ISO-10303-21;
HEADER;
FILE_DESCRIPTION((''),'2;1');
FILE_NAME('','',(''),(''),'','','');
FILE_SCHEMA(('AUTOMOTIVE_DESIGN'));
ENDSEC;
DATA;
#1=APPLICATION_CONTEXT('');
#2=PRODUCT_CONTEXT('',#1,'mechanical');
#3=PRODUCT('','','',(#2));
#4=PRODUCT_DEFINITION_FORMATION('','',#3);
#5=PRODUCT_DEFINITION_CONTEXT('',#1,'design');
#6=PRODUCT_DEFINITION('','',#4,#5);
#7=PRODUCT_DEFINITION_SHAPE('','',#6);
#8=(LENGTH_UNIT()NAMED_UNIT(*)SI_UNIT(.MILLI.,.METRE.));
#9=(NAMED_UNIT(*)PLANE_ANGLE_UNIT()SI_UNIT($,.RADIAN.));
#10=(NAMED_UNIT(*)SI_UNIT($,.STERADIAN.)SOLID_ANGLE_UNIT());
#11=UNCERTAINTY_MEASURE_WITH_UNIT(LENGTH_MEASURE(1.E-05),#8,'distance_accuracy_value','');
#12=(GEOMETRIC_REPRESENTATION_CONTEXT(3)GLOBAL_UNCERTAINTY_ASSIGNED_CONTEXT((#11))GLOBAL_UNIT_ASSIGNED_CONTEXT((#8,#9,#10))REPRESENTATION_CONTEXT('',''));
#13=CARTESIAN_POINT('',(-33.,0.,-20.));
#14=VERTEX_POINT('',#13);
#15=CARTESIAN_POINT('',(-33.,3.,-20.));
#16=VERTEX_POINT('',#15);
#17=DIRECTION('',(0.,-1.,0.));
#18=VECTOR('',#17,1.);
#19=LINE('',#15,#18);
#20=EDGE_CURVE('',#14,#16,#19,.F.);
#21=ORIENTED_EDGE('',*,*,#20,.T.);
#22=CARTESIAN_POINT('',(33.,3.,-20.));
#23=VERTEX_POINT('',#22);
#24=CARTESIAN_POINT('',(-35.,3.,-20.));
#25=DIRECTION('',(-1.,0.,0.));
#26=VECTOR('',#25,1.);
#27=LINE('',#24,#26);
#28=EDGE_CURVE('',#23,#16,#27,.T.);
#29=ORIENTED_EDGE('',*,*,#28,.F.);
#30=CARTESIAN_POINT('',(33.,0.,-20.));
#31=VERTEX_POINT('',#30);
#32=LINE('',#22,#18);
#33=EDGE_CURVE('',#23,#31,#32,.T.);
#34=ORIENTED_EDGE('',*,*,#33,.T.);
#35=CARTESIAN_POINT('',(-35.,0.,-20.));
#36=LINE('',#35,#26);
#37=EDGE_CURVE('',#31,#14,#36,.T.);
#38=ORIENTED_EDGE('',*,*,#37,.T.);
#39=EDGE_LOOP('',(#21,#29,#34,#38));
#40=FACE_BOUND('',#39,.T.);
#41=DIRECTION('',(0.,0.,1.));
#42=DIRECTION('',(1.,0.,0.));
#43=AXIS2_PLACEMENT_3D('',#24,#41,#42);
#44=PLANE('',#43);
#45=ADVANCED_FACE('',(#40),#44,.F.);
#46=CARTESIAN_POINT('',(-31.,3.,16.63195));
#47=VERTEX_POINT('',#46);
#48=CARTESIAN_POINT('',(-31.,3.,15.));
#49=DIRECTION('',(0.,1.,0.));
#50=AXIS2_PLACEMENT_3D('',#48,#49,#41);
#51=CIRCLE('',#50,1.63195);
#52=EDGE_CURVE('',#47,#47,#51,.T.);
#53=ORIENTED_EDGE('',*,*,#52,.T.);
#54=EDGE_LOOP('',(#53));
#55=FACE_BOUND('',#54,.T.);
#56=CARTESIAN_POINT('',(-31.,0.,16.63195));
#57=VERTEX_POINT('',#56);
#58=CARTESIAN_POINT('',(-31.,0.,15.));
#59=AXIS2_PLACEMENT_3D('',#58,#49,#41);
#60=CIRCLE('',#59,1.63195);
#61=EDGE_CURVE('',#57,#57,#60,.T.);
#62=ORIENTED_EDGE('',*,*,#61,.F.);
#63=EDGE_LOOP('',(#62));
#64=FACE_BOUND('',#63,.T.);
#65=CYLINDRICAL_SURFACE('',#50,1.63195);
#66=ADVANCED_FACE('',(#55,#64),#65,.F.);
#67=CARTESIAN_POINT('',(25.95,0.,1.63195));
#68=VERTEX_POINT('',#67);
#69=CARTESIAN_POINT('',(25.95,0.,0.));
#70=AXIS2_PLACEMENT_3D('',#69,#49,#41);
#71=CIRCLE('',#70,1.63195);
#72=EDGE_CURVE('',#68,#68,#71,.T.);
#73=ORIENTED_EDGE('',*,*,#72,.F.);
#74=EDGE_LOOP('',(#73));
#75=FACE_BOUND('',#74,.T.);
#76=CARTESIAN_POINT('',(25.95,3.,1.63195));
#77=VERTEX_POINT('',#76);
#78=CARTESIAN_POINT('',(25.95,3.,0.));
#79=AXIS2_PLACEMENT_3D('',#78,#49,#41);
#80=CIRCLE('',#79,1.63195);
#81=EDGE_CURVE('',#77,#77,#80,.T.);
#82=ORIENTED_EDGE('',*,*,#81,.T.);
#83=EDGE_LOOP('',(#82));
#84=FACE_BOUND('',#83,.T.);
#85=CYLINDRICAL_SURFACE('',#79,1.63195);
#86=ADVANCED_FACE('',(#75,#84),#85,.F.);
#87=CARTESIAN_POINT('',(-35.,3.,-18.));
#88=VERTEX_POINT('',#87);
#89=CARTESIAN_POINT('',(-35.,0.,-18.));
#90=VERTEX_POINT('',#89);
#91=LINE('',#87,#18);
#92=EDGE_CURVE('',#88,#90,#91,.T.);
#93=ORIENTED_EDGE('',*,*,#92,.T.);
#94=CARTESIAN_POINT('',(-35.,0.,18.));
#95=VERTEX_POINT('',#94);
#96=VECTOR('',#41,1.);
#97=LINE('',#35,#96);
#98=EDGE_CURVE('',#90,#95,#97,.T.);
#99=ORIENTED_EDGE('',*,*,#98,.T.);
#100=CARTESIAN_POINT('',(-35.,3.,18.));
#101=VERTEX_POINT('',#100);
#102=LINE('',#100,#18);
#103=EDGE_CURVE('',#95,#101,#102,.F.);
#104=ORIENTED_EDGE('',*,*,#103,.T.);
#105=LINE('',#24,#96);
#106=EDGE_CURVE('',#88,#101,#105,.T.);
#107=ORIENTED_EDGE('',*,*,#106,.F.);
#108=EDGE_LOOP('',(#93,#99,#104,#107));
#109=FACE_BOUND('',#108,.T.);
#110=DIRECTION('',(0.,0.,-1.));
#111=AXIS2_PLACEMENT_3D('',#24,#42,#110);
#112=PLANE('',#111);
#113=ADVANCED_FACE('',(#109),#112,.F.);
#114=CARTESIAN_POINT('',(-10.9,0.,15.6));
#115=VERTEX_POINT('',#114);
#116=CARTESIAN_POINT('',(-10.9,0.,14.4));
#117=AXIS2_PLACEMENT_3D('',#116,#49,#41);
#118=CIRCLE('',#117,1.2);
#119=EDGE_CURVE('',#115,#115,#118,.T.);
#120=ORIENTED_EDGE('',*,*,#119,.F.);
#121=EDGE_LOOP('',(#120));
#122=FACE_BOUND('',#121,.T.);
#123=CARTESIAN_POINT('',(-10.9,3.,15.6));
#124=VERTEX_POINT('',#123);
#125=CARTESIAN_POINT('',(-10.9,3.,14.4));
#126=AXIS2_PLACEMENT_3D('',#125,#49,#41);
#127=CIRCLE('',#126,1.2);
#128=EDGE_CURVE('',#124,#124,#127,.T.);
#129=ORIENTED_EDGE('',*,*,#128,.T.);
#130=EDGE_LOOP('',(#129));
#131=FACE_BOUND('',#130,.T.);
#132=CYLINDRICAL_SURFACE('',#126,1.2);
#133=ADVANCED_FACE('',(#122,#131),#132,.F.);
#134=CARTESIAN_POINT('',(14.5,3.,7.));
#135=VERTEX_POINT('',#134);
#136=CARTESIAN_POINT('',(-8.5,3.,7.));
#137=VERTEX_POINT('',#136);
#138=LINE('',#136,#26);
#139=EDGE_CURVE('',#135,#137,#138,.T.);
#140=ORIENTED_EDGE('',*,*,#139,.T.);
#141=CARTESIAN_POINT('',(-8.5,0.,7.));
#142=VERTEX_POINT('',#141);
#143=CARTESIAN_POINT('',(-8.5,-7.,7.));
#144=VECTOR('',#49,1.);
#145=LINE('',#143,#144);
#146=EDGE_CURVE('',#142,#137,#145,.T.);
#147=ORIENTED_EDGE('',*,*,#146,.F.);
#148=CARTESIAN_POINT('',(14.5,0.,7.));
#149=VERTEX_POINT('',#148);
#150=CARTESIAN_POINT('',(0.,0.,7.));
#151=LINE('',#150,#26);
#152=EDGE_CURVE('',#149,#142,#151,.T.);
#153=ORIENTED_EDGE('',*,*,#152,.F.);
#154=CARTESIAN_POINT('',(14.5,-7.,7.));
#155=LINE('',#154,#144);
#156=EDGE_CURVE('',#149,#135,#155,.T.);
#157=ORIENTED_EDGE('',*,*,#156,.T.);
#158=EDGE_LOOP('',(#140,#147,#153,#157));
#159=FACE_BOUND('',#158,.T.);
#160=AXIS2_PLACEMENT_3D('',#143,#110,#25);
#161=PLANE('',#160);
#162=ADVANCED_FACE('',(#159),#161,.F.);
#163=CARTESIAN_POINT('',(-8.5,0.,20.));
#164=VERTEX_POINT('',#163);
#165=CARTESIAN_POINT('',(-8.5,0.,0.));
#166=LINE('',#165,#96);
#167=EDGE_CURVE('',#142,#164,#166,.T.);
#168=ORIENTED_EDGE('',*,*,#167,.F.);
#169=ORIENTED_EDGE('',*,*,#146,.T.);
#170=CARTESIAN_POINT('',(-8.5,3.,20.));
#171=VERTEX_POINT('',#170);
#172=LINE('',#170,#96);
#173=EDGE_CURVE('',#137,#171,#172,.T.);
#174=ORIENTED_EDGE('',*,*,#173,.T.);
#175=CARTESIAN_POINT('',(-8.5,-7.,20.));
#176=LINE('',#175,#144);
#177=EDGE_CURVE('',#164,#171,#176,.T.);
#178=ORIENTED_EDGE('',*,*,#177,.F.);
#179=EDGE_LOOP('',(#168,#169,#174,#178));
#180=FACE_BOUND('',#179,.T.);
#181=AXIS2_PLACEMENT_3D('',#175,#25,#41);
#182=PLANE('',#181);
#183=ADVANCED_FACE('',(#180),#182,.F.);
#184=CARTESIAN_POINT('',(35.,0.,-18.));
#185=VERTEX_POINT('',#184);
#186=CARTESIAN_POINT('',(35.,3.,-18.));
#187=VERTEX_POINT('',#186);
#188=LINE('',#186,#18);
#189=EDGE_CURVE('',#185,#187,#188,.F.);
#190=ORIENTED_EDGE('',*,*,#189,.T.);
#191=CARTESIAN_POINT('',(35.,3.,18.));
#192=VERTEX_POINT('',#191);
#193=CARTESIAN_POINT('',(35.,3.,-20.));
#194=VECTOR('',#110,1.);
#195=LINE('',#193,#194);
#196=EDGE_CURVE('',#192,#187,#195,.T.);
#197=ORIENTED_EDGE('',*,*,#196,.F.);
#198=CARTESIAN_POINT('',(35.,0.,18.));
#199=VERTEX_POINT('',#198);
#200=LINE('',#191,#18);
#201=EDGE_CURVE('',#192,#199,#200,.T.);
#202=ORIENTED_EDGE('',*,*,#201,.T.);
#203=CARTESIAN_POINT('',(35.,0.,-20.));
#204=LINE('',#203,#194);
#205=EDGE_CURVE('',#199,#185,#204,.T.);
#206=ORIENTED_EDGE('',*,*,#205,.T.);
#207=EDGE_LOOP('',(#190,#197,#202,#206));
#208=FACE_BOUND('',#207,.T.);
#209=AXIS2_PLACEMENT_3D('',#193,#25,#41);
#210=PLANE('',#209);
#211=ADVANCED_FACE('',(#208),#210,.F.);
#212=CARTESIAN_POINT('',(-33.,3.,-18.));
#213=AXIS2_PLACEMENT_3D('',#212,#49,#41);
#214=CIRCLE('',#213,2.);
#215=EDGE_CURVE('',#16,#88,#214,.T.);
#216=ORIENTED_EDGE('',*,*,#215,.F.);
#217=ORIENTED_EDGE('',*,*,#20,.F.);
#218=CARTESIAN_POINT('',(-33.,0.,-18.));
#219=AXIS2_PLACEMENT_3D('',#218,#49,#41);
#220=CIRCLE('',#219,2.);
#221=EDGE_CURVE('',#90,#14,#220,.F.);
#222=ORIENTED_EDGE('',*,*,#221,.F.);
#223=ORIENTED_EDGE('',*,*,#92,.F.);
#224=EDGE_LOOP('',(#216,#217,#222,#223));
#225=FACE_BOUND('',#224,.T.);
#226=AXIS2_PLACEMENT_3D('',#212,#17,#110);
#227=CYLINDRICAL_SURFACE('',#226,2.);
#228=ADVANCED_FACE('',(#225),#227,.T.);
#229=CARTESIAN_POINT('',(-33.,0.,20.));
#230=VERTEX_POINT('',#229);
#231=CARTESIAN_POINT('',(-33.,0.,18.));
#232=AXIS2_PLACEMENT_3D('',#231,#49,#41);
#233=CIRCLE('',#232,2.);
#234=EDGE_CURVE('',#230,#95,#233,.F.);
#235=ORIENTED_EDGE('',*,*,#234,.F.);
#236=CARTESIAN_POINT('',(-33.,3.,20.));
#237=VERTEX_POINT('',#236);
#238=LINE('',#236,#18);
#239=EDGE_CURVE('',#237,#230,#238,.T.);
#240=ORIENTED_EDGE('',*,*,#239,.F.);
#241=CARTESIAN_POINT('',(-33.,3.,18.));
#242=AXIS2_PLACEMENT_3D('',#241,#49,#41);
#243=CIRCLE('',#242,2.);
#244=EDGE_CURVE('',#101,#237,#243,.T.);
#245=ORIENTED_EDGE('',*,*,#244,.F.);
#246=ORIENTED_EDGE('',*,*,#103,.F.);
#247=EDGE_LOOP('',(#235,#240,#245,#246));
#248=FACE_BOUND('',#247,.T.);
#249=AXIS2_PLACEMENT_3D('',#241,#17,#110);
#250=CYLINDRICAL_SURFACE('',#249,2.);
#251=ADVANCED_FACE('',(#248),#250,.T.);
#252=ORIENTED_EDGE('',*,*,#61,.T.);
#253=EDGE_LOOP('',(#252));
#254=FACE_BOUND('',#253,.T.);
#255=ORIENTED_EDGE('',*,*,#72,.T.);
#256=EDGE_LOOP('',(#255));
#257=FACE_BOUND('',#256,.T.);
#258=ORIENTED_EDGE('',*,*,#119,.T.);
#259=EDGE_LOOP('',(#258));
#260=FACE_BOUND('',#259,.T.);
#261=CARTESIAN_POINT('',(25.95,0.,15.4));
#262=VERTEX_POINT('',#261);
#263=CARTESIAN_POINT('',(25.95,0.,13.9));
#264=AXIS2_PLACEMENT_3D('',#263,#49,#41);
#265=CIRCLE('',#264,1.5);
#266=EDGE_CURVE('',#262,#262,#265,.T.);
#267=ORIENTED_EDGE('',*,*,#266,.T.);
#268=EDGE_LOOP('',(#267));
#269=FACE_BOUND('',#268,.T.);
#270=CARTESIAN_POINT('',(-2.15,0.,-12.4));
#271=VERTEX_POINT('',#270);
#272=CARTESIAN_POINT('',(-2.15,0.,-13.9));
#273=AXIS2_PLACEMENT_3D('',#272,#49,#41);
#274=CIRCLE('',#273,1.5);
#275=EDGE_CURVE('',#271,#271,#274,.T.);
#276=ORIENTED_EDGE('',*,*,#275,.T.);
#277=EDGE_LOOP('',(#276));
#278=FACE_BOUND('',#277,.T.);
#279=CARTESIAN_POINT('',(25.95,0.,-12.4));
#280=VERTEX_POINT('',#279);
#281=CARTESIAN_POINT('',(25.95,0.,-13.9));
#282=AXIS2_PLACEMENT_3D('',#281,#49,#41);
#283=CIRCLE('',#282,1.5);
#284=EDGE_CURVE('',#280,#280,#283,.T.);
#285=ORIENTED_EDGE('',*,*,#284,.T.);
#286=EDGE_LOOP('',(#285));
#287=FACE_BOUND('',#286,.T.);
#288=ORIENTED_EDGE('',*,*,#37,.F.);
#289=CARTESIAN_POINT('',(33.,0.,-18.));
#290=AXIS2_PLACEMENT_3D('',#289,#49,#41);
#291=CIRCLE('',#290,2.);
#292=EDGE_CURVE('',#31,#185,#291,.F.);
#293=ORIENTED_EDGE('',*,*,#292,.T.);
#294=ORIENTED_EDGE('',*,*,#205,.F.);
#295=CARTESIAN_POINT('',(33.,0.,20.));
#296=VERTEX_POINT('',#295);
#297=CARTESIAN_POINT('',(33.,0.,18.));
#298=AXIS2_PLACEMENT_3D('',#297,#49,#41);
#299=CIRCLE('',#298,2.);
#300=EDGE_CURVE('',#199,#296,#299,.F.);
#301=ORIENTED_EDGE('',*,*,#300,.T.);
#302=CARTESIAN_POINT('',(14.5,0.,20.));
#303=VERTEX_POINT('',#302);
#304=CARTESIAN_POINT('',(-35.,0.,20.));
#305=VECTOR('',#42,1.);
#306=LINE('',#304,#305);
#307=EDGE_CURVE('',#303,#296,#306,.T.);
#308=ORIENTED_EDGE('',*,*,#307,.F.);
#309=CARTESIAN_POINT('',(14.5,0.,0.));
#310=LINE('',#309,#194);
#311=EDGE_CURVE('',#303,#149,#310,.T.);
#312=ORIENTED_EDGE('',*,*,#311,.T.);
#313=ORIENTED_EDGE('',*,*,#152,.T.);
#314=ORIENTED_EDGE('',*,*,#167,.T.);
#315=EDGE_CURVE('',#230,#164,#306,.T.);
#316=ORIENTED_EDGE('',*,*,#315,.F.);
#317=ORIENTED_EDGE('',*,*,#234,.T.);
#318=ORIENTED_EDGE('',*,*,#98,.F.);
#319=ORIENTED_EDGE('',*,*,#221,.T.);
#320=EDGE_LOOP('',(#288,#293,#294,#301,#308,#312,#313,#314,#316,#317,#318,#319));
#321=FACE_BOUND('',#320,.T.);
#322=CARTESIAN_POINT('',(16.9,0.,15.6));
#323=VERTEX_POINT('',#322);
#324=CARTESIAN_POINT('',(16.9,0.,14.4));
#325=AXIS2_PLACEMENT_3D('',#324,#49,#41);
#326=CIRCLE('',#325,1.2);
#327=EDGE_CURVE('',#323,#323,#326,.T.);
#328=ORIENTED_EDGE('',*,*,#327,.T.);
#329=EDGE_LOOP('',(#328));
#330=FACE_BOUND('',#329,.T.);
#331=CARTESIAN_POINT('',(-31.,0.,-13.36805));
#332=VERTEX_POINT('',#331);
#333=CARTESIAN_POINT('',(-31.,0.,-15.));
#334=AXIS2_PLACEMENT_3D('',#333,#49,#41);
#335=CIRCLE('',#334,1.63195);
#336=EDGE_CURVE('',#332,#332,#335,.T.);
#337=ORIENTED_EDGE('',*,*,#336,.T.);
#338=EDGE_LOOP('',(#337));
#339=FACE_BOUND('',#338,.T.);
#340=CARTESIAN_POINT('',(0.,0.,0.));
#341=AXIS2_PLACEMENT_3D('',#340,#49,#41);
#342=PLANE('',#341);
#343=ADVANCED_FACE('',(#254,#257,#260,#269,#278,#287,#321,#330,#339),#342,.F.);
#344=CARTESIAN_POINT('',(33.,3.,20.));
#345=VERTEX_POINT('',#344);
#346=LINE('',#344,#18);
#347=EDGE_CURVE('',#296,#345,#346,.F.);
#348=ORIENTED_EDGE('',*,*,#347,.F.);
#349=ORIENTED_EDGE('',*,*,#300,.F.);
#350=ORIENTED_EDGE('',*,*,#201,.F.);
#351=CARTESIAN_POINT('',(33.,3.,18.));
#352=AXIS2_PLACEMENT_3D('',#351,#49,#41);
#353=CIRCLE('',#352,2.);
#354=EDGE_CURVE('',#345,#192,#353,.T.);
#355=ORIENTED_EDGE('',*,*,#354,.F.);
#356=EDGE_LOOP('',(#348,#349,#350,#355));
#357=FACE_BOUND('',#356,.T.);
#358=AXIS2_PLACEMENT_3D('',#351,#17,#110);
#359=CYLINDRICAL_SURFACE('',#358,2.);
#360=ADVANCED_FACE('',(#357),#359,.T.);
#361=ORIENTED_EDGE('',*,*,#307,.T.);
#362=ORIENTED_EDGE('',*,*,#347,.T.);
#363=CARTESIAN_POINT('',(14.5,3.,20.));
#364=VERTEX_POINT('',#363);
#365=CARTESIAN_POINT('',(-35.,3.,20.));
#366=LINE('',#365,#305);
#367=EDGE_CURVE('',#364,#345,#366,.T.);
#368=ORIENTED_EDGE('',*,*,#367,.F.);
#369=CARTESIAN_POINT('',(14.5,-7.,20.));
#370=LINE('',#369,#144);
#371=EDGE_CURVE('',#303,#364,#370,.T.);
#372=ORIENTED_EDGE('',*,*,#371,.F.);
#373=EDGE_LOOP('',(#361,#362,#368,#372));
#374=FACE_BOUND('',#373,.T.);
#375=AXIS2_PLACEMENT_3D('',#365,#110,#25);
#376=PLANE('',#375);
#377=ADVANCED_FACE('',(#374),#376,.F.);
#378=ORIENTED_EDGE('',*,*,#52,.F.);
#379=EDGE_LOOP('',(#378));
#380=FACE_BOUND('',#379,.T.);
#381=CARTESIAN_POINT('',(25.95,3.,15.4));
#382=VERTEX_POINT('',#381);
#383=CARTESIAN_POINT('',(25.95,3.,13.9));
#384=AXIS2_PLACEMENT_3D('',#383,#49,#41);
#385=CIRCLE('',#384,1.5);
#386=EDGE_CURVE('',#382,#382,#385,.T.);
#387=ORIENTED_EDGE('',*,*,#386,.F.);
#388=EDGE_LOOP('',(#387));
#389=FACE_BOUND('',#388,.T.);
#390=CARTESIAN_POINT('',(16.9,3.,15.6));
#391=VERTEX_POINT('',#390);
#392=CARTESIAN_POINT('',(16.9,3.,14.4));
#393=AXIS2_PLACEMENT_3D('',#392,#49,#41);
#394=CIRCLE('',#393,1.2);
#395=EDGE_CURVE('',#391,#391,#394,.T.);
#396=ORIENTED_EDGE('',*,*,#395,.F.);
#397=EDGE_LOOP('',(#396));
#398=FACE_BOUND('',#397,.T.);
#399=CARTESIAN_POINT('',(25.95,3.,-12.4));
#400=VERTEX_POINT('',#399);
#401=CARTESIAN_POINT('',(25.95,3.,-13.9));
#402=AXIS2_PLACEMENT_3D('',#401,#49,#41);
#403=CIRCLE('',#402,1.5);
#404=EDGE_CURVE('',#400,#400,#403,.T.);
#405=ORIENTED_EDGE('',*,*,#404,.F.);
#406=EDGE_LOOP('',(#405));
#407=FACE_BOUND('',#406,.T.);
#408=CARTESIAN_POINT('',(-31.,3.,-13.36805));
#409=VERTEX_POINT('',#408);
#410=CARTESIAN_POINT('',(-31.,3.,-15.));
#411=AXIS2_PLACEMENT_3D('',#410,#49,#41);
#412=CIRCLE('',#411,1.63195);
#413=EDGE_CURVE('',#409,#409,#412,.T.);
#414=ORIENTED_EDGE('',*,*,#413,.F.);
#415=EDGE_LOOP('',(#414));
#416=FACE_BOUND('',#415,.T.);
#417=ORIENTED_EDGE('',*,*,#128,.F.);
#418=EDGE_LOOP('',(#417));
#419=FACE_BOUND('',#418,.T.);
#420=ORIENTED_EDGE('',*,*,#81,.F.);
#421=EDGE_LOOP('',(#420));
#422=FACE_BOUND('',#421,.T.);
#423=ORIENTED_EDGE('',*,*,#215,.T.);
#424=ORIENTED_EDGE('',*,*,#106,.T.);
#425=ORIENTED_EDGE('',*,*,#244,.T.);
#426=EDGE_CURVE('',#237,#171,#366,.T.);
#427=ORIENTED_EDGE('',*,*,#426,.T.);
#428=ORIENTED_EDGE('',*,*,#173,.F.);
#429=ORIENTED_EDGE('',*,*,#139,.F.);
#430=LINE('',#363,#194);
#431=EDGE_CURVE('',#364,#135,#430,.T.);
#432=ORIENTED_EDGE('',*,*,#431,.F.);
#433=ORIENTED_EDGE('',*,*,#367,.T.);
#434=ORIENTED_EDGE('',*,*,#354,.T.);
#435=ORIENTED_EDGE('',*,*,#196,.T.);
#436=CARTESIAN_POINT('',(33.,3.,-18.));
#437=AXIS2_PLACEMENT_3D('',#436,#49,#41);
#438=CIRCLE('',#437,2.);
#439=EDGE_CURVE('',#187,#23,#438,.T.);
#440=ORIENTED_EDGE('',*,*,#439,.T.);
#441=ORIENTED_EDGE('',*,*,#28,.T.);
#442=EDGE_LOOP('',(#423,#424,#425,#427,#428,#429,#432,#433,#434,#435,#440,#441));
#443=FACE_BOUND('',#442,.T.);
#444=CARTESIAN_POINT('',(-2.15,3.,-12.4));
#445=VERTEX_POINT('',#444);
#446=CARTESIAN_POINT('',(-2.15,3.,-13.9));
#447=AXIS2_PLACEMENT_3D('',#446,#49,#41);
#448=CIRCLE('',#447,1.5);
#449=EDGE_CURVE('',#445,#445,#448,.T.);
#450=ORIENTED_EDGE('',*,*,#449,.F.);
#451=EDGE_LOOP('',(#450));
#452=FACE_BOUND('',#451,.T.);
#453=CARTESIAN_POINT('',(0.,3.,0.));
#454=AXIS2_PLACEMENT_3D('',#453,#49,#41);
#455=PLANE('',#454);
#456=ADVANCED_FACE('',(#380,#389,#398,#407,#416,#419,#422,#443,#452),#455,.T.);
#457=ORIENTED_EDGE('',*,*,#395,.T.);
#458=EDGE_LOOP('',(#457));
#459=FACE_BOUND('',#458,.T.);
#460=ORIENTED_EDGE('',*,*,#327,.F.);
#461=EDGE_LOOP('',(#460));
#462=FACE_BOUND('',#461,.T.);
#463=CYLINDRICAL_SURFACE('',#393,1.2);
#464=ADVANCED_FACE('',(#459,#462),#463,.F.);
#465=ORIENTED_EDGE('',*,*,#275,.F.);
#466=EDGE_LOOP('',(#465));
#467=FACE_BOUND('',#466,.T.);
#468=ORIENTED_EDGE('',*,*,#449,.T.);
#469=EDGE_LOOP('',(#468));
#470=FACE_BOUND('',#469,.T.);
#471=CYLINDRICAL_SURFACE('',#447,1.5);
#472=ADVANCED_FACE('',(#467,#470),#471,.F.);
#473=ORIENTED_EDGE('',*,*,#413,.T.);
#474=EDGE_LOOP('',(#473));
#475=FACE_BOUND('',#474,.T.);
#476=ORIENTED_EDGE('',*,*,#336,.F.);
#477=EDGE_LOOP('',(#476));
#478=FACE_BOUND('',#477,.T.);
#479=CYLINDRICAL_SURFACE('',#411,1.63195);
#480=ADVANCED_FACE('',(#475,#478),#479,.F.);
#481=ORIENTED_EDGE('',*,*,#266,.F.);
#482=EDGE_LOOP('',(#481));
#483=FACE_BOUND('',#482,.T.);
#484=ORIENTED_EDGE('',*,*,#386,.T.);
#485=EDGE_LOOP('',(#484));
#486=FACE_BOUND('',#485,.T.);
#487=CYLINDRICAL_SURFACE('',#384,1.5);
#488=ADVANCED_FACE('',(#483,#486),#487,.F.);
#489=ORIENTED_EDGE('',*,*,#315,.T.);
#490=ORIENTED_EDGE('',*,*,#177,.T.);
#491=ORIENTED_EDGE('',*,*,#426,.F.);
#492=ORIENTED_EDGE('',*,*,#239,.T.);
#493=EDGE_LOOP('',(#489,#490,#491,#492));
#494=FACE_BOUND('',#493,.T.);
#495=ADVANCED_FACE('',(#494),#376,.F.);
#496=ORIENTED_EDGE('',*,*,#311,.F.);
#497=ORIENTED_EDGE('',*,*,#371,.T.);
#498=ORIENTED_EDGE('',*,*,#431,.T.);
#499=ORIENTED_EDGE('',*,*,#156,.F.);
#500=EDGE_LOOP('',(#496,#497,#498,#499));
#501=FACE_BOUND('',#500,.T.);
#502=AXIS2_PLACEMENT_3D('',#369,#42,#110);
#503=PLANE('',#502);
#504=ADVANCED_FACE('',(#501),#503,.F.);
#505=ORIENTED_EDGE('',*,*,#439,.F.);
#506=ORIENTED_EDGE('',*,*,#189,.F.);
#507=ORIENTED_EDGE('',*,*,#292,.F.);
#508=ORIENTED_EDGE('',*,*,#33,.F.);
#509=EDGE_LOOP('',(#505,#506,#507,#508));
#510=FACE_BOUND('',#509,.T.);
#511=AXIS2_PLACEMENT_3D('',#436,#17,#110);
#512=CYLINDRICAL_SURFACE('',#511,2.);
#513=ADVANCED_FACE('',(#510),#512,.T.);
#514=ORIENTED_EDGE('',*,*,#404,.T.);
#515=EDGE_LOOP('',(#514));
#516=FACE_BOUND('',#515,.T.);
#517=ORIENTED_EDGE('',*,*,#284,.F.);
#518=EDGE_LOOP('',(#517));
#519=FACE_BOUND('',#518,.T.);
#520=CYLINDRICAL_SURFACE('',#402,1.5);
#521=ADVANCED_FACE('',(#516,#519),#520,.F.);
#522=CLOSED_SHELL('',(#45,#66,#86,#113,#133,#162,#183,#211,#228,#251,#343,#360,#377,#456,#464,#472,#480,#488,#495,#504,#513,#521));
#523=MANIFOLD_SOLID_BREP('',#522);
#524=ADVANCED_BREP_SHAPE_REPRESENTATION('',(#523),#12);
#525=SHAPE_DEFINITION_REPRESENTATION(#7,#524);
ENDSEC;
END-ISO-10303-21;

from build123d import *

# Parameters (mm, degrees)
SKETCH1_W             = 70
SKETCH1_H             = 40
BOSS_EXTRUDE1_DEPTH   = 3
F_3_0MM_DOWEL_HOLE1_D = 3
F_4_CLEARANCE_HOLE1_D = 3.2639
M2_CLEARANCE_HOLE1_D  = 2.4
SKETCH8_W             = 23
SKETCH8_H             = 13
CUT_EXTRUDE1_DEPTH    = 10
FILLET1_R             = 2


with BuildPart() as part:
    # Sketch1 → Boss-Extrude1 (new body)
    with BuildSketch(Plane(origin=(0, 0, 0), x_dir=(1, 0, 0), z_dir=(0, 1, 0))):
        Rectangle(SKETCH1_W, SKETCH1_H)
    extrude(amount=BOSS_EXTRUDE1_DEPTH)

    # Ø3.0mm Dowel Hole1 (through all)
    with Locations(Plane(origin=(0, 3, 0), x_dir=(1, 0, 0), z_dir=(0, 1, 0))):
        with Locations((-2.15, 13.9), (25.95, 13.9), (25.95, -13.9)):
            Hole(F_3_0MM_DOWEL_HOLE1_D / 2)

    # #4 Clearance Hole1 (through all)
    with Locations(Plane(origin=(0, 3, 0), x_dir=(1, 0, 0), z_dir=(0, 1, 0))):
        with Locations((-31, 15), (-31, -15), (25.95, 0)):
            Hole(F_4_CLEARANCE_HOLE1_D / 2)

    # M2 Clearance Hole1 (through all)
    with Locations(Plane(origin=(0, 3, 0), x_dir=(1, 0, 0), z_dir=(0, 1, 0))):
        with Locations((-10.9, -14.4), (16.9, -14.4)):
            Hole(M2_CLEARANCE_HOLE1_D / 2)

    # Sketch8 → Cut-Extrude1 (cut)
    with BuildSketch(Plane(origin=(0, 3, 0), x_dir=(1, 0, 0), z_dir=(0, 1, 0))):
        with Locations((3, -13.5)):
            Rectangle(SKETCH8_W, SKETCH8_H)
    extrude(amount=-CUT_EXTRUDE1_DEPTH, mode=Mode.SUBTRACT)

    # Fillet1
    fillet1_edges = [part.edges().sort_by_distance(p)[0] for p in [
        (35, 1.5, 20),
        (-35, 1.5, 20),
        (-35, 1.5, -20),
        (35, 1.5, -20),
    ]]
    fillet(fillet1_edges, radius=FILLET1_R)


solid = part.part
